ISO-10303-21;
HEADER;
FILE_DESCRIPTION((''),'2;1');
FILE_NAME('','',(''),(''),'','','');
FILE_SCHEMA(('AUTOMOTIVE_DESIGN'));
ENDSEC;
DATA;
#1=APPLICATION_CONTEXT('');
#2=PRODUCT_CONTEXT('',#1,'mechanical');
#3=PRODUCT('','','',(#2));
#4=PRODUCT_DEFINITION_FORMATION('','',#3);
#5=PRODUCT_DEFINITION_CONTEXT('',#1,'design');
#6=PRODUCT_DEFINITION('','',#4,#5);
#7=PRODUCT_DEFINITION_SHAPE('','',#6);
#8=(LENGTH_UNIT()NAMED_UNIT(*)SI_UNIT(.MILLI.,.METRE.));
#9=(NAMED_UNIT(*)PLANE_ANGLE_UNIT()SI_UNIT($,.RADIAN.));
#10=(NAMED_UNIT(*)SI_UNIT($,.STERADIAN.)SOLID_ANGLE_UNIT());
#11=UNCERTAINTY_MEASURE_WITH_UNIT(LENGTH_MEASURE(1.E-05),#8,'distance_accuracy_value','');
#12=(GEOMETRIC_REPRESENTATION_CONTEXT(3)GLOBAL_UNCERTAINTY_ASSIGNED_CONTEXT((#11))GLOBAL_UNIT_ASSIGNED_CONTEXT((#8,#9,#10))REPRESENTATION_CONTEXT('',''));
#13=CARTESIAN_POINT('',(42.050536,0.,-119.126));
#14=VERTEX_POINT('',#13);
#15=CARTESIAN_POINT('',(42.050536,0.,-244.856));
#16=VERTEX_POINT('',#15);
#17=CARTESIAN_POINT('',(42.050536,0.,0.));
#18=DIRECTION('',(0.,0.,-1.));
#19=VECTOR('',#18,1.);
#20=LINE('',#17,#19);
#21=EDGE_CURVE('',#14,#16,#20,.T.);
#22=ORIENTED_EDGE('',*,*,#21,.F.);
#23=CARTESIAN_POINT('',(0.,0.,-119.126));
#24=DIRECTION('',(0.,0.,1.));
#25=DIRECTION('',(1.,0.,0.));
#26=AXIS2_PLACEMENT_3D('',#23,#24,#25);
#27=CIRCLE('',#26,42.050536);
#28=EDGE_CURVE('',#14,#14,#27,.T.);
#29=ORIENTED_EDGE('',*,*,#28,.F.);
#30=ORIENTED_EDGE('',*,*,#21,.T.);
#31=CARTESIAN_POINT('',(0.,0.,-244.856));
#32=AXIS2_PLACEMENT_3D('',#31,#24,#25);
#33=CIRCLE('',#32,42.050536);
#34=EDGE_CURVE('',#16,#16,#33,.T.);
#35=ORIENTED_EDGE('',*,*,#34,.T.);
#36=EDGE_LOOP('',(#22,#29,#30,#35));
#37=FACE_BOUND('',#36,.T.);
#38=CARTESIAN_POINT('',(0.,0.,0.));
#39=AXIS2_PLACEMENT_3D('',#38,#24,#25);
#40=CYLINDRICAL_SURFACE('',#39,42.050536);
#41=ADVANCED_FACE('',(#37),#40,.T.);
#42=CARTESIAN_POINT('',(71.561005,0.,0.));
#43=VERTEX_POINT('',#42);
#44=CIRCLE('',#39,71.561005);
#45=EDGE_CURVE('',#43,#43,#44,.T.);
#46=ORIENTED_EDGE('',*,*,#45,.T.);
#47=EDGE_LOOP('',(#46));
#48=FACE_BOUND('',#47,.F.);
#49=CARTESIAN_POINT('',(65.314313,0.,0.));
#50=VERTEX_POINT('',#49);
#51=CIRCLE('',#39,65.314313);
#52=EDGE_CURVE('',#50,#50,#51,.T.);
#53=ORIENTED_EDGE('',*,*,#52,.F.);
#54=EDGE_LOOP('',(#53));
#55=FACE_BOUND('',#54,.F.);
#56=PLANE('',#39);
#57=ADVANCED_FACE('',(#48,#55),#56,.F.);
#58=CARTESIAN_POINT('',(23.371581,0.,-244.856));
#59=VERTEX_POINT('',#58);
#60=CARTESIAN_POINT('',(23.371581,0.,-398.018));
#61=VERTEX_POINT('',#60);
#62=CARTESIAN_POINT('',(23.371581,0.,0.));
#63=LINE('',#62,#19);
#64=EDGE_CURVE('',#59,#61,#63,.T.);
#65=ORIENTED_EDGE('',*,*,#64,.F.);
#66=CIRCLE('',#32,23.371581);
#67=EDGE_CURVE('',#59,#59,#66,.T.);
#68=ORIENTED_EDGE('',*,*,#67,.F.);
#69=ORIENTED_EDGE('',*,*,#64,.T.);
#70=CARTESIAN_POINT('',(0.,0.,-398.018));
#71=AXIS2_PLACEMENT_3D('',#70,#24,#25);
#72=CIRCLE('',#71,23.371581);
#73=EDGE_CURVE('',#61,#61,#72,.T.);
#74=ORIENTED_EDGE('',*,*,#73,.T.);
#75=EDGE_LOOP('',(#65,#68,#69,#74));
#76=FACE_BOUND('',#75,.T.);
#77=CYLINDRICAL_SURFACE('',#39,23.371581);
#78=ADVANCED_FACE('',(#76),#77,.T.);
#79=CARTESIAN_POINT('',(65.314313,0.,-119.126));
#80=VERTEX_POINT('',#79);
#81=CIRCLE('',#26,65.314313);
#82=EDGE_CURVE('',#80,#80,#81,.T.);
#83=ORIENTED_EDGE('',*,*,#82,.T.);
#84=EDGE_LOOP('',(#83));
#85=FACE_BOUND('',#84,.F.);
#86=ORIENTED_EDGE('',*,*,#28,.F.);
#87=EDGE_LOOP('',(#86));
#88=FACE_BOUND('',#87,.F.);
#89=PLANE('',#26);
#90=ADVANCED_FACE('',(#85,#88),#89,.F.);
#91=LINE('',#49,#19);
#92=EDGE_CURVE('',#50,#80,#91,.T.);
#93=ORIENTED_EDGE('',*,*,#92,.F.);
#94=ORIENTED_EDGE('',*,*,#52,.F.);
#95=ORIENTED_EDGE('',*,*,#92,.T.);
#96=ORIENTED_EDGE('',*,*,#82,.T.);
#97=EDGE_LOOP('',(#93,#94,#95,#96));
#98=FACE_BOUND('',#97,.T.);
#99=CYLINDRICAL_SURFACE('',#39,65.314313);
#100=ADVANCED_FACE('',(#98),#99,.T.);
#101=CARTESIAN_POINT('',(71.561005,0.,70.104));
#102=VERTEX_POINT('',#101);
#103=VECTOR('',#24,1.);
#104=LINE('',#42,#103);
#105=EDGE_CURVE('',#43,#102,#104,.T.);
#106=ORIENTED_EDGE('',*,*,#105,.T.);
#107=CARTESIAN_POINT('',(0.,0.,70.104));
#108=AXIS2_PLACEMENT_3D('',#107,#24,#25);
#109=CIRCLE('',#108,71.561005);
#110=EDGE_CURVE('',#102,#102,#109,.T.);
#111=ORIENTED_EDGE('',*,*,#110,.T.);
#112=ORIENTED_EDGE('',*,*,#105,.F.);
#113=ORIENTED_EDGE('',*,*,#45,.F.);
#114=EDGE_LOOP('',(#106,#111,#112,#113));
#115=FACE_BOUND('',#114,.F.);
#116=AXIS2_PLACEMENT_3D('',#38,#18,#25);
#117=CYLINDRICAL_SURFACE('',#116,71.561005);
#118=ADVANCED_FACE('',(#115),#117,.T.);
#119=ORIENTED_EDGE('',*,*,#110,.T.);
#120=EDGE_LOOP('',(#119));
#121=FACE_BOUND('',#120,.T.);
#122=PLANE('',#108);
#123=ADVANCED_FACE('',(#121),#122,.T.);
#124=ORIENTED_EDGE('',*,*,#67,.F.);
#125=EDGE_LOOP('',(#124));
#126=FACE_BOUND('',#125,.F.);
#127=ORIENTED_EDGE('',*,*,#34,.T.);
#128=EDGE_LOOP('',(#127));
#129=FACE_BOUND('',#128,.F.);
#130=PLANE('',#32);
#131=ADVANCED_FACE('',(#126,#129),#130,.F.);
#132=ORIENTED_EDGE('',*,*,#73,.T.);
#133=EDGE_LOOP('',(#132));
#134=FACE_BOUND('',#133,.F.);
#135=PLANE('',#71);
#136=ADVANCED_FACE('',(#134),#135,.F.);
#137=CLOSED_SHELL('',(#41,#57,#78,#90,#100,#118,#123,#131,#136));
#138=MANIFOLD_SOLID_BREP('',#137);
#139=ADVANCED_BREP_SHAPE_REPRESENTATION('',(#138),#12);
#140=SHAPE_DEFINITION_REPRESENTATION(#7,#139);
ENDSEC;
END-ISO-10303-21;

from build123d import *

# Parameters (mm, degrees)
F0_R          = 71.561005
F1_DEPTH      = 70.104
F2_R          = 65.314313
F3_DEPTH      = 62.23
F3_DEPTH_BACK = 119.126
F4_R          = 42.050536
F5_DEPTH      = 25.4
F5_DEPTH_BACK = 244.856
F6_R          = 23.371581
F7_DEPTH      = 25.4
F7_DEPTH_BACK = 398.018


with BuildPart() as f1:
    # F0 (on Top) → F1 (new body)
    with BuildSketch(Plane.XY):
        Circle(F0_R)
    extrude(amount=F1_DEPTH)

    # F2 (on Top) → F3 (join, two sides)
    with BuildSketch(Plane.XY) as f3_sk:
        Circle(F2_R)
    extrude(amount=F3_DEPTH)
    extrude(f3_sk.sketch, amount=-F3_DEPTH_BACK)

    # F4 (on Top) → F5 (join, two sides)
    with BuildSketch(Plane.XY) as f5_sk:
        Circle(F4_R)
    extrude(amount=F5_DEPTH)
    extrude(f5_sk.sketch, amount=-F5_DEPTH_BACK)

    # F6 (on Top) → F7 (join, two sides)
    with BuildSketch(Plane.XY) as f7_sk:
        Circle(F6_R)
    extrude(amount=F7_DEPTH)
    extrude(f7_sk.sketch, amount=-F7_DEPTH_BACK)


solid = f1.part
